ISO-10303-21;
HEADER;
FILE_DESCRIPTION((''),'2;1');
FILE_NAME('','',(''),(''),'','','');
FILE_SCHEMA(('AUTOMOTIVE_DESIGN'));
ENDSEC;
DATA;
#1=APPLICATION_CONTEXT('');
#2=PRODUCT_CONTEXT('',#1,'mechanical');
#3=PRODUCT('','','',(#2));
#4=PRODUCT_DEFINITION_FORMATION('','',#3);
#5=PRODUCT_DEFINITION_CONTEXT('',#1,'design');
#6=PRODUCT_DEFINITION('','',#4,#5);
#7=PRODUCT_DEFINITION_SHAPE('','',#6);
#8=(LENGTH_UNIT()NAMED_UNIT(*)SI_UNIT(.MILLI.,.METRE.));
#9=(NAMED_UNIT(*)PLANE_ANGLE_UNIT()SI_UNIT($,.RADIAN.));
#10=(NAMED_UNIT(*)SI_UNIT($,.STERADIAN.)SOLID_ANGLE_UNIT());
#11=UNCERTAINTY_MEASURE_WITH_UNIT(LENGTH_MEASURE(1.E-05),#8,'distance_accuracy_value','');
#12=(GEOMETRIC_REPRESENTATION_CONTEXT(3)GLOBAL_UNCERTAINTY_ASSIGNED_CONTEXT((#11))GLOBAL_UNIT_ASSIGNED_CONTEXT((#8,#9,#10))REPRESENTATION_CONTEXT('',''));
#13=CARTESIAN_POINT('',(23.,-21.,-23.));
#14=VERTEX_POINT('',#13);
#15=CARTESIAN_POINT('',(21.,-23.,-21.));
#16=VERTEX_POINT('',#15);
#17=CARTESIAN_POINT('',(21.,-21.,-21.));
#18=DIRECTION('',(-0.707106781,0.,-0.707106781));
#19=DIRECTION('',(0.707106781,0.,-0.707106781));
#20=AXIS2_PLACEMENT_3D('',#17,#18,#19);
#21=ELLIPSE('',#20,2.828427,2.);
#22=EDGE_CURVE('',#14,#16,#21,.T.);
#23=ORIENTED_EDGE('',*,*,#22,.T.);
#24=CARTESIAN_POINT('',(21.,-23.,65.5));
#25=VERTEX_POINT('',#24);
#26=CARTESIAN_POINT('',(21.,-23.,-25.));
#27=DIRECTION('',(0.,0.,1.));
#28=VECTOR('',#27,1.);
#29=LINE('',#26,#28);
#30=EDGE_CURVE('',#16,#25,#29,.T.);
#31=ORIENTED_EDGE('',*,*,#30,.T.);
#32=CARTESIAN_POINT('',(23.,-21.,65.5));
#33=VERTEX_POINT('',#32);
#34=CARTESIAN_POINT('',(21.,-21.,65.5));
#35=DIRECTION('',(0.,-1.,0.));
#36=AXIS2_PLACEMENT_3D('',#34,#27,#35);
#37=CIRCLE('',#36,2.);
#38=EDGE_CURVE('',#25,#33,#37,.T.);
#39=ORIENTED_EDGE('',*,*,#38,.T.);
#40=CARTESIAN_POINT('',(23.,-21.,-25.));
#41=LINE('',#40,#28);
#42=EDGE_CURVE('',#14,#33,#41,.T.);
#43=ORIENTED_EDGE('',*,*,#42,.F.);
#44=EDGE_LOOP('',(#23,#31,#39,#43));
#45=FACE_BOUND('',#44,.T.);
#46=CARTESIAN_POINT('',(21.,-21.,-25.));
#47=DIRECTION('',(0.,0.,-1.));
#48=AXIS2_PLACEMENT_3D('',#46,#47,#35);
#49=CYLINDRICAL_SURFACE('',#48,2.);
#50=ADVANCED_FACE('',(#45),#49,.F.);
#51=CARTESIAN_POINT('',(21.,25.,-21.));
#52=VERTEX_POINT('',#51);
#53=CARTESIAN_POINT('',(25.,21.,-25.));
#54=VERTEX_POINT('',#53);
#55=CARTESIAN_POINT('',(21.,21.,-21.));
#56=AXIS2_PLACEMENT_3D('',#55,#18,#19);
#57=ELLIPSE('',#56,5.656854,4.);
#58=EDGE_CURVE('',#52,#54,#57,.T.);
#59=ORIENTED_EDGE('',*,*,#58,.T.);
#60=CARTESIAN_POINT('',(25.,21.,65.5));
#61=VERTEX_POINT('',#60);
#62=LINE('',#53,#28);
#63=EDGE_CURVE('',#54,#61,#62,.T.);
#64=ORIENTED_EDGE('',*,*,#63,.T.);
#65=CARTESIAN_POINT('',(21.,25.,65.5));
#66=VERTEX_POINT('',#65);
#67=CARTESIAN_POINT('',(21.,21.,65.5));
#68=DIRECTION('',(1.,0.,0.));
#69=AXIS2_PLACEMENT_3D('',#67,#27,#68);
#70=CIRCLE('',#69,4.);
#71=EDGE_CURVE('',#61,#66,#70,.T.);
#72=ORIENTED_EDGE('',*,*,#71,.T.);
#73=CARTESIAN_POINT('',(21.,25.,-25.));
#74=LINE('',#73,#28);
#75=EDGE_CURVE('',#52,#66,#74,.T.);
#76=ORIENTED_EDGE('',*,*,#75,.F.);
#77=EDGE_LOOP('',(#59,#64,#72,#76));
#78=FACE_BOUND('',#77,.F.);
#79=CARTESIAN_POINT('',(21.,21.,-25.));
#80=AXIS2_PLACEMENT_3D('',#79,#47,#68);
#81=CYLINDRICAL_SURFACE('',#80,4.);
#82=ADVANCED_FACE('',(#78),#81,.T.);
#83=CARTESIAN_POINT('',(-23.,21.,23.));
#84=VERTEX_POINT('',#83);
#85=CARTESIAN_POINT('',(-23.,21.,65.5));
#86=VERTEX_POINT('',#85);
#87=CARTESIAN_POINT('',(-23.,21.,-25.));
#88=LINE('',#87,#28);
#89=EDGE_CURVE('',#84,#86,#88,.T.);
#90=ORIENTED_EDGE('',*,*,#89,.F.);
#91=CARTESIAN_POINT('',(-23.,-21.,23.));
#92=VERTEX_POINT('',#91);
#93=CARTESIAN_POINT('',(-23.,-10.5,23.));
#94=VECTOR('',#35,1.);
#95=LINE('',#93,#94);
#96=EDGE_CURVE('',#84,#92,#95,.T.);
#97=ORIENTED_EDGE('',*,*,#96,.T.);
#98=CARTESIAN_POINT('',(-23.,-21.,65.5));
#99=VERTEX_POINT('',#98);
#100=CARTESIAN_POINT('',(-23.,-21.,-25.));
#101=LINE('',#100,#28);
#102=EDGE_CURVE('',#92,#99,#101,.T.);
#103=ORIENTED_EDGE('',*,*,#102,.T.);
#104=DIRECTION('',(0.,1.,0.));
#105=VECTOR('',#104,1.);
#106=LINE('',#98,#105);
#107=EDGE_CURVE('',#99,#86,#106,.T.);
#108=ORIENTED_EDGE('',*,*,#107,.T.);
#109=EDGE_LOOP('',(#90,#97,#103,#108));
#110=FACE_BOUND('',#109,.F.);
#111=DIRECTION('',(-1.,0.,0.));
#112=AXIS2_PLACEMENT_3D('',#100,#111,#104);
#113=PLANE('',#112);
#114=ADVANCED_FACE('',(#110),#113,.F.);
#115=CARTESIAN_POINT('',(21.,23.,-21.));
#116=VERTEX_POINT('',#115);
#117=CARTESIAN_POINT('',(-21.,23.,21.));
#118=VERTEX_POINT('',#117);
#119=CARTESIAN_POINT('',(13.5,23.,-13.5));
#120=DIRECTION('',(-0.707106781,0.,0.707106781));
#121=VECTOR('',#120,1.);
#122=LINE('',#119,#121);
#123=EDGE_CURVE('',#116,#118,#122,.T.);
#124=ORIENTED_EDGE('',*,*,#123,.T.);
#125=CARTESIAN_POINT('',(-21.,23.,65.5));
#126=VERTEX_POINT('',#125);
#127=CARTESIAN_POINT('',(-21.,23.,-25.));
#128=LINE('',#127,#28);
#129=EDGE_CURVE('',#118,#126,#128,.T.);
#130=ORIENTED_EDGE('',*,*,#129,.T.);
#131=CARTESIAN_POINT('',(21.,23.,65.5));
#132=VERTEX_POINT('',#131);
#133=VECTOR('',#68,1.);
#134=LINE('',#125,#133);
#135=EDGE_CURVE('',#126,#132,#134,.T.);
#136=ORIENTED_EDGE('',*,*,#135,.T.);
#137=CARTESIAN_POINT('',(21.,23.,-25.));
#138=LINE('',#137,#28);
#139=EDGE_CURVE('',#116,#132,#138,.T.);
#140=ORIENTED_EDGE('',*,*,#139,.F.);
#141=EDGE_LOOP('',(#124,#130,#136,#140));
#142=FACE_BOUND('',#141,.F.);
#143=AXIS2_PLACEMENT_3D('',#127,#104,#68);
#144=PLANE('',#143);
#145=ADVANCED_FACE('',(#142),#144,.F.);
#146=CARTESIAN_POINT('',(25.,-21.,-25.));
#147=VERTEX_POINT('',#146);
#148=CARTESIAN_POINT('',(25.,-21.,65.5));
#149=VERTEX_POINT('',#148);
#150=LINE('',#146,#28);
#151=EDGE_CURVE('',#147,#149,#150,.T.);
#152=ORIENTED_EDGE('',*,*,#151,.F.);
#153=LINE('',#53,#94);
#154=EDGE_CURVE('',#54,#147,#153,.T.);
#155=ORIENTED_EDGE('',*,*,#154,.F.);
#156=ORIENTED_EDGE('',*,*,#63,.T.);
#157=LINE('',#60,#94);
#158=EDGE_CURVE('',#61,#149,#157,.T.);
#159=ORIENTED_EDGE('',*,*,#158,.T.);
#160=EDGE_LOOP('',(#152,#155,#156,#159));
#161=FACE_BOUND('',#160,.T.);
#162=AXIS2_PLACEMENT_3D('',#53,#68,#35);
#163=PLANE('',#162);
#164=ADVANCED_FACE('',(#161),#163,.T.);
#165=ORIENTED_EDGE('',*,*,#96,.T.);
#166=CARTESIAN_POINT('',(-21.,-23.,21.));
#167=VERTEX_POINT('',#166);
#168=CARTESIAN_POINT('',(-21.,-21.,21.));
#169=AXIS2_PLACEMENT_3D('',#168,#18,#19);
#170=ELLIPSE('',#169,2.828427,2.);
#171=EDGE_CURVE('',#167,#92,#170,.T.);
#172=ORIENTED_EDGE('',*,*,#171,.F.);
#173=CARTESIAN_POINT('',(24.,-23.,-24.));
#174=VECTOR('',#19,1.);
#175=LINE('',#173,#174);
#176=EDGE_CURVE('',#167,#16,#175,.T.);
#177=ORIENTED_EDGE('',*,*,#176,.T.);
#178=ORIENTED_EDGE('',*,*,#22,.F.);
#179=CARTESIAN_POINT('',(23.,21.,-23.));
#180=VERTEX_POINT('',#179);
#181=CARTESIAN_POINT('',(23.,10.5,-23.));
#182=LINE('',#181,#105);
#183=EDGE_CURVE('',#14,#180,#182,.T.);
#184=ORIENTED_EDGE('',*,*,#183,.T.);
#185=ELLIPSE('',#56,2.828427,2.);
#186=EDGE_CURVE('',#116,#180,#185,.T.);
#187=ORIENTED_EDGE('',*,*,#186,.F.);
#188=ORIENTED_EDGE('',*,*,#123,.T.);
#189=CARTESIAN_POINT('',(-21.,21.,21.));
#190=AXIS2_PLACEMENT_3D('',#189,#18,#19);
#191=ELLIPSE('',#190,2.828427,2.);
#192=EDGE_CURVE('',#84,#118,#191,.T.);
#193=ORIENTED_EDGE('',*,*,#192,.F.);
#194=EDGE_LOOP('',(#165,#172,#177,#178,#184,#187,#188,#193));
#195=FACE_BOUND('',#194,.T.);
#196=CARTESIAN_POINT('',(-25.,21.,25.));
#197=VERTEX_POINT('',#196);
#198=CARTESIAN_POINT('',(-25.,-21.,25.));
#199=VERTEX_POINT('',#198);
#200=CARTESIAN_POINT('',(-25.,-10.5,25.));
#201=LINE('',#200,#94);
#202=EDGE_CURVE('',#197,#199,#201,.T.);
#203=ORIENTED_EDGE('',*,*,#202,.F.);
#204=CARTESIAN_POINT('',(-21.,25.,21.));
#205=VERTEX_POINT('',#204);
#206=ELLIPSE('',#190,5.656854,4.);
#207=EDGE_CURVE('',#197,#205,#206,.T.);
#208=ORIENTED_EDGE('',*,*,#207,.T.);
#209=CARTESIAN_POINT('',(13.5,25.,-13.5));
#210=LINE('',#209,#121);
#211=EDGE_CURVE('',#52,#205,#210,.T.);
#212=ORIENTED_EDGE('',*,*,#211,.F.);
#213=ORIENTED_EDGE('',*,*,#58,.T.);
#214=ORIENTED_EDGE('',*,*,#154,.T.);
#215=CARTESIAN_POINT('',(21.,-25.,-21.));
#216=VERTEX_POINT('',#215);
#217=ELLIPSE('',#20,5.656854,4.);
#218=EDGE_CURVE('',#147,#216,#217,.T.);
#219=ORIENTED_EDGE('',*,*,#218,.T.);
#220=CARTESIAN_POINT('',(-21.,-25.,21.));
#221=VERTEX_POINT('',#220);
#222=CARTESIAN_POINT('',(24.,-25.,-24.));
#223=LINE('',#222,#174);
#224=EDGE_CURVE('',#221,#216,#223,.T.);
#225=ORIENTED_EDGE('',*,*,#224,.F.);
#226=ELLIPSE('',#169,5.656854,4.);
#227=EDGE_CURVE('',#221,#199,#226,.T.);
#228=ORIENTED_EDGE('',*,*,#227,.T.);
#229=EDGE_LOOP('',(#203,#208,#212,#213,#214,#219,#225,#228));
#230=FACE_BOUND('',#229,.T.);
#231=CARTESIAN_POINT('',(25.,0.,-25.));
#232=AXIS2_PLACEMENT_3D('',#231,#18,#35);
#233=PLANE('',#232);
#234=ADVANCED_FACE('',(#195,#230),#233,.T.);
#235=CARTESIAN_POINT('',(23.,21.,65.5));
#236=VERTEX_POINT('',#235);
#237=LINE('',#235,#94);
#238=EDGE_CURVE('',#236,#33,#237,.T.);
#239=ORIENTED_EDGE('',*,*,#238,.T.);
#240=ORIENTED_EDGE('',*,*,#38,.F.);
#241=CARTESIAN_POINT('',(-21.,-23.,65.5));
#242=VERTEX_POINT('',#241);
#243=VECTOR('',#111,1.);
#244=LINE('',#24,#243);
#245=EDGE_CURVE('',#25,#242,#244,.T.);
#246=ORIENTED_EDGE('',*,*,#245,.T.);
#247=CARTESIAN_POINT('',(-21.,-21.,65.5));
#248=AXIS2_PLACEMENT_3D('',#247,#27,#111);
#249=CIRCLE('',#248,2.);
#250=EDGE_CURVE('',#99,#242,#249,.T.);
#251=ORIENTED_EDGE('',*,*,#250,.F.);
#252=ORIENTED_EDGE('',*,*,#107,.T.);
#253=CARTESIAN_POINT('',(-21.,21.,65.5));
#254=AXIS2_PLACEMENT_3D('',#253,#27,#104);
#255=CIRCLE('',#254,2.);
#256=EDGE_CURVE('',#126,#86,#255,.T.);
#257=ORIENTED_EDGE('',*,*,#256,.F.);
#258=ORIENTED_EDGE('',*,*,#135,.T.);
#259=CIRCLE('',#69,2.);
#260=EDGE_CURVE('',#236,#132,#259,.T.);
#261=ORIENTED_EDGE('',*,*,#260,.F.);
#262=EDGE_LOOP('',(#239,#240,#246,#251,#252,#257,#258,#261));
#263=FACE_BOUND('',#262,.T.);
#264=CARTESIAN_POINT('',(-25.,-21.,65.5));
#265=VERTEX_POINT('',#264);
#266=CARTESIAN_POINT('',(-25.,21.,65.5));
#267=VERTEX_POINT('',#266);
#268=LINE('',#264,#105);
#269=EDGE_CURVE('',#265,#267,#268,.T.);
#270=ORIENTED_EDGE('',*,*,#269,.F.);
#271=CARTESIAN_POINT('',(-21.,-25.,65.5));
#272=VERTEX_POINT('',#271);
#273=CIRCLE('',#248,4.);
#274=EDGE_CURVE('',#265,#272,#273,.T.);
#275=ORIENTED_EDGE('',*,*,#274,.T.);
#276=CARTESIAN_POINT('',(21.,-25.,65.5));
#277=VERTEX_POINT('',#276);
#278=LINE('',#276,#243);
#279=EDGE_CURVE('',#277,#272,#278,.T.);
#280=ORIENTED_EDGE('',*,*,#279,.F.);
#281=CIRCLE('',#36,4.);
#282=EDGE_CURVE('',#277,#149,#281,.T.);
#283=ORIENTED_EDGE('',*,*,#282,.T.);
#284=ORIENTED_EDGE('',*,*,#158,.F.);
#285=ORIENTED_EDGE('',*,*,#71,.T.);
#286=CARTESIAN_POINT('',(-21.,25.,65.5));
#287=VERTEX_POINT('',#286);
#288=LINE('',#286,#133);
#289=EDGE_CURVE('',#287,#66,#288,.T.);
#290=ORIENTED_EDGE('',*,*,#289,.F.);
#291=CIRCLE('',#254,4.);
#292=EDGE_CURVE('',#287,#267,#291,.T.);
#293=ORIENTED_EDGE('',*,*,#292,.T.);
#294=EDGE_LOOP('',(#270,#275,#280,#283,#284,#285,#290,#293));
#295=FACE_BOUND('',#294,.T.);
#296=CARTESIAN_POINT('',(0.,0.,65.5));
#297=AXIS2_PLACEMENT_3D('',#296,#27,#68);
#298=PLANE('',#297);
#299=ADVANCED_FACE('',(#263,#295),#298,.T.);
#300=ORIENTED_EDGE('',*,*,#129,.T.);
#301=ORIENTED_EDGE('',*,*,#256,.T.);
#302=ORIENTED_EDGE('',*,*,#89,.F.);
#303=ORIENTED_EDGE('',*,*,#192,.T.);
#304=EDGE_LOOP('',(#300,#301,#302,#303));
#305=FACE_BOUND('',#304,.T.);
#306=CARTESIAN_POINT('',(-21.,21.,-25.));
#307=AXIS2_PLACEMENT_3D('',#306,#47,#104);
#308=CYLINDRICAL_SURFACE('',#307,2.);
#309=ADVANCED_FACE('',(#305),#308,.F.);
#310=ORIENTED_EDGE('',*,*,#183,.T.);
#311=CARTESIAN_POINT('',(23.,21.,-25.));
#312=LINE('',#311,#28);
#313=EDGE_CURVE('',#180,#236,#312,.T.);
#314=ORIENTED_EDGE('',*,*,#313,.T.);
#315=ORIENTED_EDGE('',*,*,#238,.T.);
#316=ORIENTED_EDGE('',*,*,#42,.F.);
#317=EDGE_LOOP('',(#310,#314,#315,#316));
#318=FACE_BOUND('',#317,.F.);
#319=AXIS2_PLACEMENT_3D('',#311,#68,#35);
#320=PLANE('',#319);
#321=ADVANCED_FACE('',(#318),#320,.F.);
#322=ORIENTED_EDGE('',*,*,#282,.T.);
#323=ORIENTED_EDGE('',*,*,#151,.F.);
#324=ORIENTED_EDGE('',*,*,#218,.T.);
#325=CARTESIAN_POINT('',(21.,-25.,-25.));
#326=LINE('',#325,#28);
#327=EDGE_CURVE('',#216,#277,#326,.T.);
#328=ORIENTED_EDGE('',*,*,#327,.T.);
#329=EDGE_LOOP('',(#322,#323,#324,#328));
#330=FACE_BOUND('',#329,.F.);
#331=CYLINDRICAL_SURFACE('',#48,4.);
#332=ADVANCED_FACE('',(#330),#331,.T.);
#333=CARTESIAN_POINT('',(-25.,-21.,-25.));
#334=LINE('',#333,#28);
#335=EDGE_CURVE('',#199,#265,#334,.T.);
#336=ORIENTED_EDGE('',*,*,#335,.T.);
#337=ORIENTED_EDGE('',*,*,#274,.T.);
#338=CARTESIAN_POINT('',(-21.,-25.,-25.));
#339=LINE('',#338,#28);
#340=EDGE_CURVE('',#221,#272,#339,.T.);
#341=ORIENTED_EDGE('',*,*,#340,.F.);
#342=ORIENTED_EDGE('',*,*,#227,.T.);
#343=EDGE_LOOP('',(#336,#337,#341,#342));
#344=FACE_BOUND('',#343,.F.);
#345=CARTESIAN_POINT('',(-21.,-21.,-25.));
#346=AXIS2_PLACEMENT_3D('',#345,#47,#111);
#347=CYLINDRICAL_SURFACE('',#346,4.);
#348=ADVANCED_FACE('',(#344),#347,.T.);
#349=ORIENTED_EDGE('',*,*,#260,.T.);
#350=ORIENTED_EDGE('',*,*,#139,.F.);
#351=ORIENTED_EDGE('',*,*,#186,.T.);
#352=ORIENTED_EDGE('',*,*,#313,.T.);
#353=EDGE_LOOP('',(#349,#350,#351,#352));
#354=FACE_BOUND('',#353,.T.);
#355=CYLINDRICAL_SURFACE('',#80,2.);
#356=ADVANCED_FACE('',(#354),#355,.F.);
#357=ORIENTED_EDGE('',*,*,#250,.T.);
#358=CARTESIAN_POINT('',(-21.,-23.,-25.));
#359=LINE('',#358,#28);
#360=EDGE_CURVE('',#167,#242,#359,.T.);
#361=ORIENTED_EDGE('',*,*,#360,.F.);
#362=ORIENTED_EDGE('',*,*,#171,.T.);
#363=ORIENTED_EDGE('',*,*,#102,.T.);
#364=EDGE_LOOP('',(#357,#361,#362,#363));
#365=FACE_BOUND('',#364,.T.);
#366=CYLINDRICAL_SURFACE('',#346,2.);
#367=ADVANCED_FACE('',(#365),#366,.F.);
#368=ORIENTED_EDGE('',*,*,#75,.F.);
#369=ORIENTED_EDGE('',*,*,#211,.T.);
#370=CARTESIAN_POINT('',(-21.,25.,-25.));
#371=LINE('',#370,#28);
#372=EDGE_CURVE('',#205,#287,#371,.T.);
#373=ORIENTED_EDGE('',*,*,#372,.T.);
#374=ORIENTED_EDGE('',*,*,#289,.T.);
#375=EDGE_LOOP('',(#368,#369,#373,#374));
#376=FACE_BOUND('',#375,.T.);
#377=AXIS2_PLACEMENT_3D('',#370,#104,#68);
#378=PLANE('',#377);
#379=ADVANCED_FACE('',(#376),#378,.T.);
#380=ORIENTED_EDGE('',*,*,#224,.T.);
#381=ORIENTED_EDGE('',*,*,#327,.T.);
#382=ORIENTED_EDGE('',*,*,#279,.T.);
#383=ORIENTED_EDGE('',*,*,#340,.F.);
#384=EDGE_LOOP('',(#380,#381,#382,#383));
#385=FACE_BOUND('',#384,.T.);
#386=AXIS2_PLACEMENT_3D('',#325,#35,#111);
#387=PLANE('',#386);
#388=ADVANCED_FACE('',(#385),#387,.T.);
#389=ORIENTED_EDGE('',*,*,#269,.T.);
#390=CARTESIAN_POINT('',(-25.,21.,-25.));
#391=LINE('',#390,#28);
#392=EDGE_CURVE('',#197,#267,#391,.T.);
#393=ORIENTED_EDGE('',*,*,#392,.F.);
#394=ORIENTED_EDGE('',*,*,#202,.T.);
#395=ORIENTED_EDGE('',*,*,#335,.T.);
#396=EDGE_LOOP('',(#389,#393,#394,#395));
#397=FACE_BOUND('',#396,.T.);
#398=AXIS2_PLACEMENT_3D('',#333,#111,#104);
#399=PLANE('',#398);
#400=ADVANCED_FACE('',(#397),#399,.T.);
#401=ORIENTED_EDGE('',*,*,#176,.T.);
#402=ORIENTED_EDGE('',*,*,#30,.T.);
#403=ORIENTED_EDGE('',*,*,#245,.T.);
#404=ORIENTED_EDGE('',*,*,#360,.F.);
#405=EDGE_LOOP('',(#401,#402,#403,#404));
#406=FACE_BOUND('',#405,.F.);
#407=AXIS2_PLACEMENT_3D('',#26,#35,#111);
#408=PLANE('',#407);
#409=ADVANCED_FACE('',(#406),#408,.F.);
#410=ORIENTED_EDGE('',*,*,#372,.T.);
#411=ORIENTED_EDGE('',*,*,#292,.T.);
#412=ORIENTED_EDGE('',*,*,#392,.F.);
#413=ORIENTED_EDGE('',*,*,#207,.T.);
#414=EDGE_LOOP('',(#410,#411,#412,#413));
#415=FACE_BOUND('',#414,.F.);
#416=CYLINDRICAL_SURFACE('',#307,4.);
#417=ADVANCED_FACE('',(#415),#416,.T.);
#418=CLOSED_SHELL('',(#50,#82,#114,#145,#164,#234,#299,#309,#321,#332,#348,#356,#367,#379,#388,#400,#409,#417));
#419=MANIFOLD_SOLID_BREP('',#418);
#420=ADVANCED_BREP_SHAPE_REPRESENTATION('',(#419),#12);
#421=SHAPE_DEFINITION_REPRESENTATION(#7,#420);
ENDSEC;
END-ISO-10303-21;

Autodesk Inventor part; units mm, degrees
ref_plane "Start Plane" through (0, 0, -25) normal (0, 0, 1) x (1, 0, 0)
ref_plane "End Plane" through (0, 0, 65.5) normal (0, 0, 1) x (1, 0, 0)
sketch "Sketch" plane through (0, 0, 0) normal (0, 0, 1) x (1, 0, 0)
  line L0 (-25, -21) -> (-25, 21)
  line L1 (-21, 25) -> (21, 25)
  line L2 (25, 21) -> (25, -21)
  line L3 (21, -25) -> (-21, -25)
  arc A0 (-25, -21) -> (-21, -25) centre (-21, -21) ccw
  arc A1 (25, 21) -> (21, 25) centre (21, 21) ccw
  arc A2 (-21, 25) -> (-25, 21) centre (-21, 21) ccw
  arc A3 (21, -25) -> (25, -21) centre (21, -21) ccw
  arc A4 (-21, 23) -> (-23, 21) centre (-21, 21) ccw
  line L4 (-21, 23) -> (21, 23)
  arc A5 (23, 21) -> (21, 23) centre (21, 21) ccw
  line L5 (23, 21) -> (23, -21)
  arc A6 (21, -23) -> (23, -21) centre (21, -21) ccw
  line L6 (21, -23) -> (-21, -23)
  arc A7 (-23, -21) -> (-21, -23) centre (-21, -21) ccw
  line L7 (-23, -21) -> (-23, 21)
  line L8 (0, 36.1598) -> (0, -36.1598) construction
  line L9 (-36.1598, 0) -> (36.1598, 0) construction
  dimension "d7" = 4
  dimension "d9" = 50
  dimension "d11" = 50
  dimension "d12" = 2
  dimension "d15" = 25
  dimension "d16" = 25
extrude "Body" add sketch "Sketch" along normal up to surface (90.5 mm away) from surface at -25
sketch "Sketch3" plane through (0, 0, 0) normal (0, 0, 1) x (1, 0, 0)
  line L0 (0, 0) -> (10, 0)
ref_plane "Work Plane3" through (0, 0, 0) normal (0, -1, 0) x (1, 0, 0)
sketch "Sketch4" plane through (0, 0, 0) normal (0, -1, 0) x (1, 0, 0)
  line L0 (-2, -25) -> (12, -25)
  line L1 (-2, 65.5) -> (12, 65.5)
  dimension "d18" = 90.5
ref_plane "Work Plane4" through (25, 0, -25) normal (-0.7071, 0, -0.7071) x (-0.7071, 0, 0.7071)
split "Split1" plane through (25, 0, -25) removes the side toward (-0.7071, 0, -0.7071)
ref_plane "Work Plane5" through (-21, -1675.25, 65.5) normal (0, 0, 1) x (1, 0, 0)
split "Split2" plane through (-21, -1675.25, 65.5) removes the side toward (0, 0, 1)
equation "\"d7\" = G_IR"
equation "\"d9\" = G_W"
equation "\"d11\" = G_H"
equation "\"d12\" = G_T"
equation "\"d15\" = 0.5 * d9"
equation "\"d16\" = 0.5 * d11"
equation "\"d3\" = G_L"
equation "\"G_W\" = 50"
equation "\"G_H\" = 50"
equation "\"G_T\" = 2"
equation "\"G_IR\" = 4"
equation "\"G_L\" = d18"
equation "\"G_OFFSET_START\" = 25"
equation "\"G_OFFSET_END\" = -25"
equation "\"d13\" = -G_OFFSET_START"
equation "\"d14\" = G_OFFSET_END + B_L"
equation "\"B_L\" = 90.5"
properties part number "ISO 10799-2 - 50x50x2 - 90.5" material "Steel, Galvanized"
